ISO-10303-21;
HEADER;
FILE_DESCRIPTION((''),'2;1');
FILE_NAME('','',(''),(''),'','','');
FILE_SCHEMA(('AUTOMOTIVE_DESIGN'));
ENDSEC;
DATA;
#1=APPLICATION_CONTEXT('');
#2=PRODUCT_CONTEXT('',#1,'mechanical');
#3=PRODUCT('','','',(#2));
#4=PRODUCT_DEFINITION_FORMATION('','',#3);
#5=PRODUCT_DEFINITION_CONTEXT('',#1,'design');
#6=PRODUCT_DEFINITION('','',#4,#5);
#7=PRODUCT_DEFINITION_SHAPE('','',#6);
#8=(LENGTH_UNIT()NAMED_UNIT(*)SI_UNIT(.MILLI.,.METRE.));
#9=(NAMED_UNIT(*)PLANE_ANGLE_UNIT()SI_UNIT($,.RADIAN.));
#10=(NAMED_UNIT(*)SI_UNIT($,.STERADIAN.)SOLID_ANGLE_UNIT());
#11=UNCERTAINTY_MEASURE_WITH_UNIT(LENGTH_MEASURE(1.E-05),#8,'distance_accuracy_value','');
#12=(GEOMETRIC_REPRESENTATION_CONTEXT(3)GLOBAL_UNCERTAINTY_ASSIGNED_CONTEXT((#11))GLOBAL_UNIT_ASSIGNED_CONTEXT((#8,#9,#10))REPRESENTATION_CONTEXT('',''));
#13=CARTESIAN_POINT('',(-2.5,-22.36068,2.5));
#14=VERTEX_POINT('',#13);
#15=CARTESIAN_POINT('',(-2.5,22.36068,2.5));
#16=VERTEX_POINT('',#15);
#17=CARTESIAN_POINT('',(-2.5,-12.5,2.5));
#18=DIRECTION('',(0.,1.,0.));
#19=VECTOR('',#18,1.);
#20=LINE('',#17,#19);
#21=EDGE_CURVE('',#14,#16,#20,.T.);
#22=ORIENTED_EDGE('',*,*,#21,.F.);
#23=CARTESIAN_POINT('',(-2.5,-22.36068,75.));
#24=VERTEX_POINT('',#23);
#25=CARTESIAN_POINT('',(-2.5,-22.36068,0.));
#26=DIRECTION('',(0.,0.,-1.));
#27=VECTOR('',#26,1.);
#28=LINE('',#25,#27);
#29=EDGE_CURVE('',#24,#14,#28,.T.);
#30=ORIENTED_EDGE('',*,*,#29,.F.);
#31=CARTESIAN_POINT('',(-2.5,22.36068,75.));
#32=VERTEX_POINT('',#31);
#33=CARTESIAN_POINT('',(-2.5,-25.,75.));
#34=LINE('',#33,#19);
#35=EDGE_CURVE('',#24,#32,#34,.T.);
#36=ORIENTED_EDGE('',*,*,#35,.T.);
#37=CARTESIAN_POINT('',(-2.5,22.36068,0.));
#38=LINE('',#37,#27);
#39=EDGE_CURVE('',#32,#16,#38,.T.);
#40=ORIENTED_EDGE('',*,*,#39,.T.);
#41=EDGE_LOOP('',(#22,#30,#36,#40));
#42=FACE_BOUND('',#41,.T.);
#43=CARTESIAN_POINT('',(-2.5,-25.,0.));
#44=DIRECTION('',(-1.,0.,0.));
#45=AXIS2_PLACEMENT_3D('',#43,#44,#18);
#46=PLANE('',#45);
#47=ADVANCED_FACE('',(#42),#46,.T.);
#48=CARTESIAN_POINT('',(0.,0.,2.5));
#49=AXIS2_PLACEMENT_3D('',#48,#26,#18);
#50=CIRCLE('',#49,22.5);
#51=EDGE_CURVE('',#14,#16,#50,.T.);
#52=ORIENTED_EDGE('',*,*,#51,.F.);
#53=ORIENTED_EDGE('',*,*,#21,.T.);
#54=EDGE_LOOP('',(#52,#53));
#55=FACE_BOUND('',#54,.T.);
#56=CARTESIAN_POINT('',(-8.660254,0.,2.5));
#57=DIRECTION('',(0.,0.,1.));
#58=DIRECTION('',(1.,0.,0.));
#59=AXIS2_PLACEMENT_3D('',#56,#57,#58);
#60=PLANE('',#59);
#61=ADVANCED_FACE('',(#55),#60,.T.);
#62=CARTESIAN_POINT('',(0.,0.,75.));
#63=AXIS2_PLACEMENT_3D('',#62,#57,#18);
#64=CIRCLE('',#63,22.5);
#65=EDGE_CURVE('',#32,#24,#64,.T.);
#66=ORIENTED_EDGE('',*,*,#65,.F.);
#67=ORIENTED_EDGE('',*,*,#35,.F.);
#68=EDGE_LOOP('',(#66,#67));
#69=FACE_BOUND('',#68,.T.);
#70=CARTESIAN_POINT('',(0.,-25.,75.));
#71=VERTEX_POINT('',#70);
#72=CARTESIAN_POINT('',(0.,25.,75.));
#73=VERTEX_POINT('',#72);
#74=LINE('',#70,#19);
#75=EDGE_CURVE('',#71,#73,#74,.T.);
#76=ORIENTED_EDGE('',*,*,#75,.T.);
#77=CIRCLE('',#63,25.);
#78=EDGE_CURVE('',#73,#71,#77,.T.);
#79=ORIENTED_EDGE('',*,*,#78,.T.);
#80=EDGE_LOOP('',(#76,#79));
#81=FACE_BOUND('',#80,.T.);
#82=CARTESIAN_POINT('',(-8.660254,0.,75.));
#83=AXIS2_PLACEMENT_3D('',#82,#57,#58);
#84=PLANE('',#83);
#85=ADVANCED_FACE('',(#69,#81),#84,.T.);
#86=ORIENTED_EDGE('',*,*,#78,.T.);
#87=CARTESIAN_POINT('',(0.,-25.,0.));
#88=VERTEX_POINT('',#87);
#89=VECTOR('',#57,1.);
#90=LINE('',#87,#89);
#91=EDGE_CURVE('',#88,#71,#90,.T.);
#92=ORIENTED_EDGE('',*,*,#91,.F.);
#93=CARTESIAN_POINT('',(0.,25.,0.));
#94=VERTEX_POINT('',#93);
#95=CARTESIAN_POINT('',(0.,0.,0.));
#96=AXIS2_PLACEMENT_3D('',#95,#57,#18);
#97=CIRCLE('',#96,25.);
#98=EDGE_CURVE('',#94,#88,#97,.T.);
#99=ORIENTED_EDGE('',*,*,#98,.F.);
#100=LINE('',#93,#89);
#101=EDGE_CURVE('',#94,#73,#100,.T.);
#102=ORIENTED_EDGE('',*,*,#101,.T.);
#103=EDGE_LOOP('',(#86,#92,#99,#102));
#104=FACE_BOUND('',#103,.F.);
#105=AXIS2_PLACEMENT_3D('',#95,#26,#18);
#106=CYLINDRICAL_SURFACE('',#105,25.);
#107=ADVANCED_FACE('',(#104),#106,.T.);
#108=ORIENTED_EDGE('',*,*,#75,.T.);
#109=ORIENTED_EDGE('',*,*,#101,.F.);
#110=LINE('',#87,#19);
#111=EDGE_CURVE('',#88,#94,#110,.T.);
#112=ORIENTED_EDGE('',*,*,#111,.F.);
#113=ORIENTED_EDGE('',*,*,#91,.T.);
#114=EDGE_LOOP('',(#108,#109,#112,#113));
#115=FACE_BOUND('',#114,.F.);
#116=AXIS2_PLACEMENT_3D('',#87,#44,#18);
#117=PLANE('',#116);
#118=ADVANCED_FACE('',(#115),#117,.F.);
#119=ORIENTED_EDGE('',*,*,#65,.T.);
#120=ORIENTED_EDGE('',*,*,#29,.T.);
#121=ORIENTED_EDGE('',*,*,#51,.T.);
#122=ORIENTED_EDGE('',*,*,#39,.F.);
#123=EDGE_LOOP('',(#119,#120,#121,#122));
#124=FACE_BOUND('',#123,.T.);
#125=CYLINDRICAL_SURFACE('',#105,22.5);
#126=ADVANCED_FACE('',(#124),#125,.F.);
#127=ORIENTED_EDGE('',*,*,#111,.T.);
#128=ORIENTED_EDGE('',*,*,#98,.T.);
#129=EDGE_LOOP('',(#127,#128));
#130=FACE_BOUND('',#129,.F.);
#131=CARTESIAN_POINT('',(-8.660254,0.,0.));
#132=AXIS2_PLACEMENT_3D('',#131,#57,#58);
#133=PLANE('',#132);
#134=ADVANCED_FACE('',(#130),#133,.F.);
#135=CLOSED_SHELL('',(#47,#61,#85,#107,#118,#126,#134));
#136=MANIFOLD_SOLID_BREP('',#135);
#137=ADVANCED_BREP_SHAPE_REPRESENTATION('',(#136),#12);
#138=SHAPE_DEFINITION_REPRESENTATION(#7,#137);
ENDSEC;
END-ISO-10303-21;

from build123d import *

# Parameters (mm, degrees)
F1_DEPTH = 75
F2_T     = -2.5


with BuildPart() as f1:
    # F0 (on Top) → F1 (new body)
    with BuildSketch(Plane.XY):
        with BuildLine():
            Line((0, -25), (0, 25))
            ThreePointArc((0, 25), (-25, 0), (0, -25))
        make_face()
    extrude(amount=F1_DEPTH)

    # F2
    f2_openings = [f1.faces().sort_by_distance(p)[0] for p in [
        (-10.61033, 0, 75),
    ]]
    offset(amount=F2_T, openings=f2_openings)


solid = f1.part
